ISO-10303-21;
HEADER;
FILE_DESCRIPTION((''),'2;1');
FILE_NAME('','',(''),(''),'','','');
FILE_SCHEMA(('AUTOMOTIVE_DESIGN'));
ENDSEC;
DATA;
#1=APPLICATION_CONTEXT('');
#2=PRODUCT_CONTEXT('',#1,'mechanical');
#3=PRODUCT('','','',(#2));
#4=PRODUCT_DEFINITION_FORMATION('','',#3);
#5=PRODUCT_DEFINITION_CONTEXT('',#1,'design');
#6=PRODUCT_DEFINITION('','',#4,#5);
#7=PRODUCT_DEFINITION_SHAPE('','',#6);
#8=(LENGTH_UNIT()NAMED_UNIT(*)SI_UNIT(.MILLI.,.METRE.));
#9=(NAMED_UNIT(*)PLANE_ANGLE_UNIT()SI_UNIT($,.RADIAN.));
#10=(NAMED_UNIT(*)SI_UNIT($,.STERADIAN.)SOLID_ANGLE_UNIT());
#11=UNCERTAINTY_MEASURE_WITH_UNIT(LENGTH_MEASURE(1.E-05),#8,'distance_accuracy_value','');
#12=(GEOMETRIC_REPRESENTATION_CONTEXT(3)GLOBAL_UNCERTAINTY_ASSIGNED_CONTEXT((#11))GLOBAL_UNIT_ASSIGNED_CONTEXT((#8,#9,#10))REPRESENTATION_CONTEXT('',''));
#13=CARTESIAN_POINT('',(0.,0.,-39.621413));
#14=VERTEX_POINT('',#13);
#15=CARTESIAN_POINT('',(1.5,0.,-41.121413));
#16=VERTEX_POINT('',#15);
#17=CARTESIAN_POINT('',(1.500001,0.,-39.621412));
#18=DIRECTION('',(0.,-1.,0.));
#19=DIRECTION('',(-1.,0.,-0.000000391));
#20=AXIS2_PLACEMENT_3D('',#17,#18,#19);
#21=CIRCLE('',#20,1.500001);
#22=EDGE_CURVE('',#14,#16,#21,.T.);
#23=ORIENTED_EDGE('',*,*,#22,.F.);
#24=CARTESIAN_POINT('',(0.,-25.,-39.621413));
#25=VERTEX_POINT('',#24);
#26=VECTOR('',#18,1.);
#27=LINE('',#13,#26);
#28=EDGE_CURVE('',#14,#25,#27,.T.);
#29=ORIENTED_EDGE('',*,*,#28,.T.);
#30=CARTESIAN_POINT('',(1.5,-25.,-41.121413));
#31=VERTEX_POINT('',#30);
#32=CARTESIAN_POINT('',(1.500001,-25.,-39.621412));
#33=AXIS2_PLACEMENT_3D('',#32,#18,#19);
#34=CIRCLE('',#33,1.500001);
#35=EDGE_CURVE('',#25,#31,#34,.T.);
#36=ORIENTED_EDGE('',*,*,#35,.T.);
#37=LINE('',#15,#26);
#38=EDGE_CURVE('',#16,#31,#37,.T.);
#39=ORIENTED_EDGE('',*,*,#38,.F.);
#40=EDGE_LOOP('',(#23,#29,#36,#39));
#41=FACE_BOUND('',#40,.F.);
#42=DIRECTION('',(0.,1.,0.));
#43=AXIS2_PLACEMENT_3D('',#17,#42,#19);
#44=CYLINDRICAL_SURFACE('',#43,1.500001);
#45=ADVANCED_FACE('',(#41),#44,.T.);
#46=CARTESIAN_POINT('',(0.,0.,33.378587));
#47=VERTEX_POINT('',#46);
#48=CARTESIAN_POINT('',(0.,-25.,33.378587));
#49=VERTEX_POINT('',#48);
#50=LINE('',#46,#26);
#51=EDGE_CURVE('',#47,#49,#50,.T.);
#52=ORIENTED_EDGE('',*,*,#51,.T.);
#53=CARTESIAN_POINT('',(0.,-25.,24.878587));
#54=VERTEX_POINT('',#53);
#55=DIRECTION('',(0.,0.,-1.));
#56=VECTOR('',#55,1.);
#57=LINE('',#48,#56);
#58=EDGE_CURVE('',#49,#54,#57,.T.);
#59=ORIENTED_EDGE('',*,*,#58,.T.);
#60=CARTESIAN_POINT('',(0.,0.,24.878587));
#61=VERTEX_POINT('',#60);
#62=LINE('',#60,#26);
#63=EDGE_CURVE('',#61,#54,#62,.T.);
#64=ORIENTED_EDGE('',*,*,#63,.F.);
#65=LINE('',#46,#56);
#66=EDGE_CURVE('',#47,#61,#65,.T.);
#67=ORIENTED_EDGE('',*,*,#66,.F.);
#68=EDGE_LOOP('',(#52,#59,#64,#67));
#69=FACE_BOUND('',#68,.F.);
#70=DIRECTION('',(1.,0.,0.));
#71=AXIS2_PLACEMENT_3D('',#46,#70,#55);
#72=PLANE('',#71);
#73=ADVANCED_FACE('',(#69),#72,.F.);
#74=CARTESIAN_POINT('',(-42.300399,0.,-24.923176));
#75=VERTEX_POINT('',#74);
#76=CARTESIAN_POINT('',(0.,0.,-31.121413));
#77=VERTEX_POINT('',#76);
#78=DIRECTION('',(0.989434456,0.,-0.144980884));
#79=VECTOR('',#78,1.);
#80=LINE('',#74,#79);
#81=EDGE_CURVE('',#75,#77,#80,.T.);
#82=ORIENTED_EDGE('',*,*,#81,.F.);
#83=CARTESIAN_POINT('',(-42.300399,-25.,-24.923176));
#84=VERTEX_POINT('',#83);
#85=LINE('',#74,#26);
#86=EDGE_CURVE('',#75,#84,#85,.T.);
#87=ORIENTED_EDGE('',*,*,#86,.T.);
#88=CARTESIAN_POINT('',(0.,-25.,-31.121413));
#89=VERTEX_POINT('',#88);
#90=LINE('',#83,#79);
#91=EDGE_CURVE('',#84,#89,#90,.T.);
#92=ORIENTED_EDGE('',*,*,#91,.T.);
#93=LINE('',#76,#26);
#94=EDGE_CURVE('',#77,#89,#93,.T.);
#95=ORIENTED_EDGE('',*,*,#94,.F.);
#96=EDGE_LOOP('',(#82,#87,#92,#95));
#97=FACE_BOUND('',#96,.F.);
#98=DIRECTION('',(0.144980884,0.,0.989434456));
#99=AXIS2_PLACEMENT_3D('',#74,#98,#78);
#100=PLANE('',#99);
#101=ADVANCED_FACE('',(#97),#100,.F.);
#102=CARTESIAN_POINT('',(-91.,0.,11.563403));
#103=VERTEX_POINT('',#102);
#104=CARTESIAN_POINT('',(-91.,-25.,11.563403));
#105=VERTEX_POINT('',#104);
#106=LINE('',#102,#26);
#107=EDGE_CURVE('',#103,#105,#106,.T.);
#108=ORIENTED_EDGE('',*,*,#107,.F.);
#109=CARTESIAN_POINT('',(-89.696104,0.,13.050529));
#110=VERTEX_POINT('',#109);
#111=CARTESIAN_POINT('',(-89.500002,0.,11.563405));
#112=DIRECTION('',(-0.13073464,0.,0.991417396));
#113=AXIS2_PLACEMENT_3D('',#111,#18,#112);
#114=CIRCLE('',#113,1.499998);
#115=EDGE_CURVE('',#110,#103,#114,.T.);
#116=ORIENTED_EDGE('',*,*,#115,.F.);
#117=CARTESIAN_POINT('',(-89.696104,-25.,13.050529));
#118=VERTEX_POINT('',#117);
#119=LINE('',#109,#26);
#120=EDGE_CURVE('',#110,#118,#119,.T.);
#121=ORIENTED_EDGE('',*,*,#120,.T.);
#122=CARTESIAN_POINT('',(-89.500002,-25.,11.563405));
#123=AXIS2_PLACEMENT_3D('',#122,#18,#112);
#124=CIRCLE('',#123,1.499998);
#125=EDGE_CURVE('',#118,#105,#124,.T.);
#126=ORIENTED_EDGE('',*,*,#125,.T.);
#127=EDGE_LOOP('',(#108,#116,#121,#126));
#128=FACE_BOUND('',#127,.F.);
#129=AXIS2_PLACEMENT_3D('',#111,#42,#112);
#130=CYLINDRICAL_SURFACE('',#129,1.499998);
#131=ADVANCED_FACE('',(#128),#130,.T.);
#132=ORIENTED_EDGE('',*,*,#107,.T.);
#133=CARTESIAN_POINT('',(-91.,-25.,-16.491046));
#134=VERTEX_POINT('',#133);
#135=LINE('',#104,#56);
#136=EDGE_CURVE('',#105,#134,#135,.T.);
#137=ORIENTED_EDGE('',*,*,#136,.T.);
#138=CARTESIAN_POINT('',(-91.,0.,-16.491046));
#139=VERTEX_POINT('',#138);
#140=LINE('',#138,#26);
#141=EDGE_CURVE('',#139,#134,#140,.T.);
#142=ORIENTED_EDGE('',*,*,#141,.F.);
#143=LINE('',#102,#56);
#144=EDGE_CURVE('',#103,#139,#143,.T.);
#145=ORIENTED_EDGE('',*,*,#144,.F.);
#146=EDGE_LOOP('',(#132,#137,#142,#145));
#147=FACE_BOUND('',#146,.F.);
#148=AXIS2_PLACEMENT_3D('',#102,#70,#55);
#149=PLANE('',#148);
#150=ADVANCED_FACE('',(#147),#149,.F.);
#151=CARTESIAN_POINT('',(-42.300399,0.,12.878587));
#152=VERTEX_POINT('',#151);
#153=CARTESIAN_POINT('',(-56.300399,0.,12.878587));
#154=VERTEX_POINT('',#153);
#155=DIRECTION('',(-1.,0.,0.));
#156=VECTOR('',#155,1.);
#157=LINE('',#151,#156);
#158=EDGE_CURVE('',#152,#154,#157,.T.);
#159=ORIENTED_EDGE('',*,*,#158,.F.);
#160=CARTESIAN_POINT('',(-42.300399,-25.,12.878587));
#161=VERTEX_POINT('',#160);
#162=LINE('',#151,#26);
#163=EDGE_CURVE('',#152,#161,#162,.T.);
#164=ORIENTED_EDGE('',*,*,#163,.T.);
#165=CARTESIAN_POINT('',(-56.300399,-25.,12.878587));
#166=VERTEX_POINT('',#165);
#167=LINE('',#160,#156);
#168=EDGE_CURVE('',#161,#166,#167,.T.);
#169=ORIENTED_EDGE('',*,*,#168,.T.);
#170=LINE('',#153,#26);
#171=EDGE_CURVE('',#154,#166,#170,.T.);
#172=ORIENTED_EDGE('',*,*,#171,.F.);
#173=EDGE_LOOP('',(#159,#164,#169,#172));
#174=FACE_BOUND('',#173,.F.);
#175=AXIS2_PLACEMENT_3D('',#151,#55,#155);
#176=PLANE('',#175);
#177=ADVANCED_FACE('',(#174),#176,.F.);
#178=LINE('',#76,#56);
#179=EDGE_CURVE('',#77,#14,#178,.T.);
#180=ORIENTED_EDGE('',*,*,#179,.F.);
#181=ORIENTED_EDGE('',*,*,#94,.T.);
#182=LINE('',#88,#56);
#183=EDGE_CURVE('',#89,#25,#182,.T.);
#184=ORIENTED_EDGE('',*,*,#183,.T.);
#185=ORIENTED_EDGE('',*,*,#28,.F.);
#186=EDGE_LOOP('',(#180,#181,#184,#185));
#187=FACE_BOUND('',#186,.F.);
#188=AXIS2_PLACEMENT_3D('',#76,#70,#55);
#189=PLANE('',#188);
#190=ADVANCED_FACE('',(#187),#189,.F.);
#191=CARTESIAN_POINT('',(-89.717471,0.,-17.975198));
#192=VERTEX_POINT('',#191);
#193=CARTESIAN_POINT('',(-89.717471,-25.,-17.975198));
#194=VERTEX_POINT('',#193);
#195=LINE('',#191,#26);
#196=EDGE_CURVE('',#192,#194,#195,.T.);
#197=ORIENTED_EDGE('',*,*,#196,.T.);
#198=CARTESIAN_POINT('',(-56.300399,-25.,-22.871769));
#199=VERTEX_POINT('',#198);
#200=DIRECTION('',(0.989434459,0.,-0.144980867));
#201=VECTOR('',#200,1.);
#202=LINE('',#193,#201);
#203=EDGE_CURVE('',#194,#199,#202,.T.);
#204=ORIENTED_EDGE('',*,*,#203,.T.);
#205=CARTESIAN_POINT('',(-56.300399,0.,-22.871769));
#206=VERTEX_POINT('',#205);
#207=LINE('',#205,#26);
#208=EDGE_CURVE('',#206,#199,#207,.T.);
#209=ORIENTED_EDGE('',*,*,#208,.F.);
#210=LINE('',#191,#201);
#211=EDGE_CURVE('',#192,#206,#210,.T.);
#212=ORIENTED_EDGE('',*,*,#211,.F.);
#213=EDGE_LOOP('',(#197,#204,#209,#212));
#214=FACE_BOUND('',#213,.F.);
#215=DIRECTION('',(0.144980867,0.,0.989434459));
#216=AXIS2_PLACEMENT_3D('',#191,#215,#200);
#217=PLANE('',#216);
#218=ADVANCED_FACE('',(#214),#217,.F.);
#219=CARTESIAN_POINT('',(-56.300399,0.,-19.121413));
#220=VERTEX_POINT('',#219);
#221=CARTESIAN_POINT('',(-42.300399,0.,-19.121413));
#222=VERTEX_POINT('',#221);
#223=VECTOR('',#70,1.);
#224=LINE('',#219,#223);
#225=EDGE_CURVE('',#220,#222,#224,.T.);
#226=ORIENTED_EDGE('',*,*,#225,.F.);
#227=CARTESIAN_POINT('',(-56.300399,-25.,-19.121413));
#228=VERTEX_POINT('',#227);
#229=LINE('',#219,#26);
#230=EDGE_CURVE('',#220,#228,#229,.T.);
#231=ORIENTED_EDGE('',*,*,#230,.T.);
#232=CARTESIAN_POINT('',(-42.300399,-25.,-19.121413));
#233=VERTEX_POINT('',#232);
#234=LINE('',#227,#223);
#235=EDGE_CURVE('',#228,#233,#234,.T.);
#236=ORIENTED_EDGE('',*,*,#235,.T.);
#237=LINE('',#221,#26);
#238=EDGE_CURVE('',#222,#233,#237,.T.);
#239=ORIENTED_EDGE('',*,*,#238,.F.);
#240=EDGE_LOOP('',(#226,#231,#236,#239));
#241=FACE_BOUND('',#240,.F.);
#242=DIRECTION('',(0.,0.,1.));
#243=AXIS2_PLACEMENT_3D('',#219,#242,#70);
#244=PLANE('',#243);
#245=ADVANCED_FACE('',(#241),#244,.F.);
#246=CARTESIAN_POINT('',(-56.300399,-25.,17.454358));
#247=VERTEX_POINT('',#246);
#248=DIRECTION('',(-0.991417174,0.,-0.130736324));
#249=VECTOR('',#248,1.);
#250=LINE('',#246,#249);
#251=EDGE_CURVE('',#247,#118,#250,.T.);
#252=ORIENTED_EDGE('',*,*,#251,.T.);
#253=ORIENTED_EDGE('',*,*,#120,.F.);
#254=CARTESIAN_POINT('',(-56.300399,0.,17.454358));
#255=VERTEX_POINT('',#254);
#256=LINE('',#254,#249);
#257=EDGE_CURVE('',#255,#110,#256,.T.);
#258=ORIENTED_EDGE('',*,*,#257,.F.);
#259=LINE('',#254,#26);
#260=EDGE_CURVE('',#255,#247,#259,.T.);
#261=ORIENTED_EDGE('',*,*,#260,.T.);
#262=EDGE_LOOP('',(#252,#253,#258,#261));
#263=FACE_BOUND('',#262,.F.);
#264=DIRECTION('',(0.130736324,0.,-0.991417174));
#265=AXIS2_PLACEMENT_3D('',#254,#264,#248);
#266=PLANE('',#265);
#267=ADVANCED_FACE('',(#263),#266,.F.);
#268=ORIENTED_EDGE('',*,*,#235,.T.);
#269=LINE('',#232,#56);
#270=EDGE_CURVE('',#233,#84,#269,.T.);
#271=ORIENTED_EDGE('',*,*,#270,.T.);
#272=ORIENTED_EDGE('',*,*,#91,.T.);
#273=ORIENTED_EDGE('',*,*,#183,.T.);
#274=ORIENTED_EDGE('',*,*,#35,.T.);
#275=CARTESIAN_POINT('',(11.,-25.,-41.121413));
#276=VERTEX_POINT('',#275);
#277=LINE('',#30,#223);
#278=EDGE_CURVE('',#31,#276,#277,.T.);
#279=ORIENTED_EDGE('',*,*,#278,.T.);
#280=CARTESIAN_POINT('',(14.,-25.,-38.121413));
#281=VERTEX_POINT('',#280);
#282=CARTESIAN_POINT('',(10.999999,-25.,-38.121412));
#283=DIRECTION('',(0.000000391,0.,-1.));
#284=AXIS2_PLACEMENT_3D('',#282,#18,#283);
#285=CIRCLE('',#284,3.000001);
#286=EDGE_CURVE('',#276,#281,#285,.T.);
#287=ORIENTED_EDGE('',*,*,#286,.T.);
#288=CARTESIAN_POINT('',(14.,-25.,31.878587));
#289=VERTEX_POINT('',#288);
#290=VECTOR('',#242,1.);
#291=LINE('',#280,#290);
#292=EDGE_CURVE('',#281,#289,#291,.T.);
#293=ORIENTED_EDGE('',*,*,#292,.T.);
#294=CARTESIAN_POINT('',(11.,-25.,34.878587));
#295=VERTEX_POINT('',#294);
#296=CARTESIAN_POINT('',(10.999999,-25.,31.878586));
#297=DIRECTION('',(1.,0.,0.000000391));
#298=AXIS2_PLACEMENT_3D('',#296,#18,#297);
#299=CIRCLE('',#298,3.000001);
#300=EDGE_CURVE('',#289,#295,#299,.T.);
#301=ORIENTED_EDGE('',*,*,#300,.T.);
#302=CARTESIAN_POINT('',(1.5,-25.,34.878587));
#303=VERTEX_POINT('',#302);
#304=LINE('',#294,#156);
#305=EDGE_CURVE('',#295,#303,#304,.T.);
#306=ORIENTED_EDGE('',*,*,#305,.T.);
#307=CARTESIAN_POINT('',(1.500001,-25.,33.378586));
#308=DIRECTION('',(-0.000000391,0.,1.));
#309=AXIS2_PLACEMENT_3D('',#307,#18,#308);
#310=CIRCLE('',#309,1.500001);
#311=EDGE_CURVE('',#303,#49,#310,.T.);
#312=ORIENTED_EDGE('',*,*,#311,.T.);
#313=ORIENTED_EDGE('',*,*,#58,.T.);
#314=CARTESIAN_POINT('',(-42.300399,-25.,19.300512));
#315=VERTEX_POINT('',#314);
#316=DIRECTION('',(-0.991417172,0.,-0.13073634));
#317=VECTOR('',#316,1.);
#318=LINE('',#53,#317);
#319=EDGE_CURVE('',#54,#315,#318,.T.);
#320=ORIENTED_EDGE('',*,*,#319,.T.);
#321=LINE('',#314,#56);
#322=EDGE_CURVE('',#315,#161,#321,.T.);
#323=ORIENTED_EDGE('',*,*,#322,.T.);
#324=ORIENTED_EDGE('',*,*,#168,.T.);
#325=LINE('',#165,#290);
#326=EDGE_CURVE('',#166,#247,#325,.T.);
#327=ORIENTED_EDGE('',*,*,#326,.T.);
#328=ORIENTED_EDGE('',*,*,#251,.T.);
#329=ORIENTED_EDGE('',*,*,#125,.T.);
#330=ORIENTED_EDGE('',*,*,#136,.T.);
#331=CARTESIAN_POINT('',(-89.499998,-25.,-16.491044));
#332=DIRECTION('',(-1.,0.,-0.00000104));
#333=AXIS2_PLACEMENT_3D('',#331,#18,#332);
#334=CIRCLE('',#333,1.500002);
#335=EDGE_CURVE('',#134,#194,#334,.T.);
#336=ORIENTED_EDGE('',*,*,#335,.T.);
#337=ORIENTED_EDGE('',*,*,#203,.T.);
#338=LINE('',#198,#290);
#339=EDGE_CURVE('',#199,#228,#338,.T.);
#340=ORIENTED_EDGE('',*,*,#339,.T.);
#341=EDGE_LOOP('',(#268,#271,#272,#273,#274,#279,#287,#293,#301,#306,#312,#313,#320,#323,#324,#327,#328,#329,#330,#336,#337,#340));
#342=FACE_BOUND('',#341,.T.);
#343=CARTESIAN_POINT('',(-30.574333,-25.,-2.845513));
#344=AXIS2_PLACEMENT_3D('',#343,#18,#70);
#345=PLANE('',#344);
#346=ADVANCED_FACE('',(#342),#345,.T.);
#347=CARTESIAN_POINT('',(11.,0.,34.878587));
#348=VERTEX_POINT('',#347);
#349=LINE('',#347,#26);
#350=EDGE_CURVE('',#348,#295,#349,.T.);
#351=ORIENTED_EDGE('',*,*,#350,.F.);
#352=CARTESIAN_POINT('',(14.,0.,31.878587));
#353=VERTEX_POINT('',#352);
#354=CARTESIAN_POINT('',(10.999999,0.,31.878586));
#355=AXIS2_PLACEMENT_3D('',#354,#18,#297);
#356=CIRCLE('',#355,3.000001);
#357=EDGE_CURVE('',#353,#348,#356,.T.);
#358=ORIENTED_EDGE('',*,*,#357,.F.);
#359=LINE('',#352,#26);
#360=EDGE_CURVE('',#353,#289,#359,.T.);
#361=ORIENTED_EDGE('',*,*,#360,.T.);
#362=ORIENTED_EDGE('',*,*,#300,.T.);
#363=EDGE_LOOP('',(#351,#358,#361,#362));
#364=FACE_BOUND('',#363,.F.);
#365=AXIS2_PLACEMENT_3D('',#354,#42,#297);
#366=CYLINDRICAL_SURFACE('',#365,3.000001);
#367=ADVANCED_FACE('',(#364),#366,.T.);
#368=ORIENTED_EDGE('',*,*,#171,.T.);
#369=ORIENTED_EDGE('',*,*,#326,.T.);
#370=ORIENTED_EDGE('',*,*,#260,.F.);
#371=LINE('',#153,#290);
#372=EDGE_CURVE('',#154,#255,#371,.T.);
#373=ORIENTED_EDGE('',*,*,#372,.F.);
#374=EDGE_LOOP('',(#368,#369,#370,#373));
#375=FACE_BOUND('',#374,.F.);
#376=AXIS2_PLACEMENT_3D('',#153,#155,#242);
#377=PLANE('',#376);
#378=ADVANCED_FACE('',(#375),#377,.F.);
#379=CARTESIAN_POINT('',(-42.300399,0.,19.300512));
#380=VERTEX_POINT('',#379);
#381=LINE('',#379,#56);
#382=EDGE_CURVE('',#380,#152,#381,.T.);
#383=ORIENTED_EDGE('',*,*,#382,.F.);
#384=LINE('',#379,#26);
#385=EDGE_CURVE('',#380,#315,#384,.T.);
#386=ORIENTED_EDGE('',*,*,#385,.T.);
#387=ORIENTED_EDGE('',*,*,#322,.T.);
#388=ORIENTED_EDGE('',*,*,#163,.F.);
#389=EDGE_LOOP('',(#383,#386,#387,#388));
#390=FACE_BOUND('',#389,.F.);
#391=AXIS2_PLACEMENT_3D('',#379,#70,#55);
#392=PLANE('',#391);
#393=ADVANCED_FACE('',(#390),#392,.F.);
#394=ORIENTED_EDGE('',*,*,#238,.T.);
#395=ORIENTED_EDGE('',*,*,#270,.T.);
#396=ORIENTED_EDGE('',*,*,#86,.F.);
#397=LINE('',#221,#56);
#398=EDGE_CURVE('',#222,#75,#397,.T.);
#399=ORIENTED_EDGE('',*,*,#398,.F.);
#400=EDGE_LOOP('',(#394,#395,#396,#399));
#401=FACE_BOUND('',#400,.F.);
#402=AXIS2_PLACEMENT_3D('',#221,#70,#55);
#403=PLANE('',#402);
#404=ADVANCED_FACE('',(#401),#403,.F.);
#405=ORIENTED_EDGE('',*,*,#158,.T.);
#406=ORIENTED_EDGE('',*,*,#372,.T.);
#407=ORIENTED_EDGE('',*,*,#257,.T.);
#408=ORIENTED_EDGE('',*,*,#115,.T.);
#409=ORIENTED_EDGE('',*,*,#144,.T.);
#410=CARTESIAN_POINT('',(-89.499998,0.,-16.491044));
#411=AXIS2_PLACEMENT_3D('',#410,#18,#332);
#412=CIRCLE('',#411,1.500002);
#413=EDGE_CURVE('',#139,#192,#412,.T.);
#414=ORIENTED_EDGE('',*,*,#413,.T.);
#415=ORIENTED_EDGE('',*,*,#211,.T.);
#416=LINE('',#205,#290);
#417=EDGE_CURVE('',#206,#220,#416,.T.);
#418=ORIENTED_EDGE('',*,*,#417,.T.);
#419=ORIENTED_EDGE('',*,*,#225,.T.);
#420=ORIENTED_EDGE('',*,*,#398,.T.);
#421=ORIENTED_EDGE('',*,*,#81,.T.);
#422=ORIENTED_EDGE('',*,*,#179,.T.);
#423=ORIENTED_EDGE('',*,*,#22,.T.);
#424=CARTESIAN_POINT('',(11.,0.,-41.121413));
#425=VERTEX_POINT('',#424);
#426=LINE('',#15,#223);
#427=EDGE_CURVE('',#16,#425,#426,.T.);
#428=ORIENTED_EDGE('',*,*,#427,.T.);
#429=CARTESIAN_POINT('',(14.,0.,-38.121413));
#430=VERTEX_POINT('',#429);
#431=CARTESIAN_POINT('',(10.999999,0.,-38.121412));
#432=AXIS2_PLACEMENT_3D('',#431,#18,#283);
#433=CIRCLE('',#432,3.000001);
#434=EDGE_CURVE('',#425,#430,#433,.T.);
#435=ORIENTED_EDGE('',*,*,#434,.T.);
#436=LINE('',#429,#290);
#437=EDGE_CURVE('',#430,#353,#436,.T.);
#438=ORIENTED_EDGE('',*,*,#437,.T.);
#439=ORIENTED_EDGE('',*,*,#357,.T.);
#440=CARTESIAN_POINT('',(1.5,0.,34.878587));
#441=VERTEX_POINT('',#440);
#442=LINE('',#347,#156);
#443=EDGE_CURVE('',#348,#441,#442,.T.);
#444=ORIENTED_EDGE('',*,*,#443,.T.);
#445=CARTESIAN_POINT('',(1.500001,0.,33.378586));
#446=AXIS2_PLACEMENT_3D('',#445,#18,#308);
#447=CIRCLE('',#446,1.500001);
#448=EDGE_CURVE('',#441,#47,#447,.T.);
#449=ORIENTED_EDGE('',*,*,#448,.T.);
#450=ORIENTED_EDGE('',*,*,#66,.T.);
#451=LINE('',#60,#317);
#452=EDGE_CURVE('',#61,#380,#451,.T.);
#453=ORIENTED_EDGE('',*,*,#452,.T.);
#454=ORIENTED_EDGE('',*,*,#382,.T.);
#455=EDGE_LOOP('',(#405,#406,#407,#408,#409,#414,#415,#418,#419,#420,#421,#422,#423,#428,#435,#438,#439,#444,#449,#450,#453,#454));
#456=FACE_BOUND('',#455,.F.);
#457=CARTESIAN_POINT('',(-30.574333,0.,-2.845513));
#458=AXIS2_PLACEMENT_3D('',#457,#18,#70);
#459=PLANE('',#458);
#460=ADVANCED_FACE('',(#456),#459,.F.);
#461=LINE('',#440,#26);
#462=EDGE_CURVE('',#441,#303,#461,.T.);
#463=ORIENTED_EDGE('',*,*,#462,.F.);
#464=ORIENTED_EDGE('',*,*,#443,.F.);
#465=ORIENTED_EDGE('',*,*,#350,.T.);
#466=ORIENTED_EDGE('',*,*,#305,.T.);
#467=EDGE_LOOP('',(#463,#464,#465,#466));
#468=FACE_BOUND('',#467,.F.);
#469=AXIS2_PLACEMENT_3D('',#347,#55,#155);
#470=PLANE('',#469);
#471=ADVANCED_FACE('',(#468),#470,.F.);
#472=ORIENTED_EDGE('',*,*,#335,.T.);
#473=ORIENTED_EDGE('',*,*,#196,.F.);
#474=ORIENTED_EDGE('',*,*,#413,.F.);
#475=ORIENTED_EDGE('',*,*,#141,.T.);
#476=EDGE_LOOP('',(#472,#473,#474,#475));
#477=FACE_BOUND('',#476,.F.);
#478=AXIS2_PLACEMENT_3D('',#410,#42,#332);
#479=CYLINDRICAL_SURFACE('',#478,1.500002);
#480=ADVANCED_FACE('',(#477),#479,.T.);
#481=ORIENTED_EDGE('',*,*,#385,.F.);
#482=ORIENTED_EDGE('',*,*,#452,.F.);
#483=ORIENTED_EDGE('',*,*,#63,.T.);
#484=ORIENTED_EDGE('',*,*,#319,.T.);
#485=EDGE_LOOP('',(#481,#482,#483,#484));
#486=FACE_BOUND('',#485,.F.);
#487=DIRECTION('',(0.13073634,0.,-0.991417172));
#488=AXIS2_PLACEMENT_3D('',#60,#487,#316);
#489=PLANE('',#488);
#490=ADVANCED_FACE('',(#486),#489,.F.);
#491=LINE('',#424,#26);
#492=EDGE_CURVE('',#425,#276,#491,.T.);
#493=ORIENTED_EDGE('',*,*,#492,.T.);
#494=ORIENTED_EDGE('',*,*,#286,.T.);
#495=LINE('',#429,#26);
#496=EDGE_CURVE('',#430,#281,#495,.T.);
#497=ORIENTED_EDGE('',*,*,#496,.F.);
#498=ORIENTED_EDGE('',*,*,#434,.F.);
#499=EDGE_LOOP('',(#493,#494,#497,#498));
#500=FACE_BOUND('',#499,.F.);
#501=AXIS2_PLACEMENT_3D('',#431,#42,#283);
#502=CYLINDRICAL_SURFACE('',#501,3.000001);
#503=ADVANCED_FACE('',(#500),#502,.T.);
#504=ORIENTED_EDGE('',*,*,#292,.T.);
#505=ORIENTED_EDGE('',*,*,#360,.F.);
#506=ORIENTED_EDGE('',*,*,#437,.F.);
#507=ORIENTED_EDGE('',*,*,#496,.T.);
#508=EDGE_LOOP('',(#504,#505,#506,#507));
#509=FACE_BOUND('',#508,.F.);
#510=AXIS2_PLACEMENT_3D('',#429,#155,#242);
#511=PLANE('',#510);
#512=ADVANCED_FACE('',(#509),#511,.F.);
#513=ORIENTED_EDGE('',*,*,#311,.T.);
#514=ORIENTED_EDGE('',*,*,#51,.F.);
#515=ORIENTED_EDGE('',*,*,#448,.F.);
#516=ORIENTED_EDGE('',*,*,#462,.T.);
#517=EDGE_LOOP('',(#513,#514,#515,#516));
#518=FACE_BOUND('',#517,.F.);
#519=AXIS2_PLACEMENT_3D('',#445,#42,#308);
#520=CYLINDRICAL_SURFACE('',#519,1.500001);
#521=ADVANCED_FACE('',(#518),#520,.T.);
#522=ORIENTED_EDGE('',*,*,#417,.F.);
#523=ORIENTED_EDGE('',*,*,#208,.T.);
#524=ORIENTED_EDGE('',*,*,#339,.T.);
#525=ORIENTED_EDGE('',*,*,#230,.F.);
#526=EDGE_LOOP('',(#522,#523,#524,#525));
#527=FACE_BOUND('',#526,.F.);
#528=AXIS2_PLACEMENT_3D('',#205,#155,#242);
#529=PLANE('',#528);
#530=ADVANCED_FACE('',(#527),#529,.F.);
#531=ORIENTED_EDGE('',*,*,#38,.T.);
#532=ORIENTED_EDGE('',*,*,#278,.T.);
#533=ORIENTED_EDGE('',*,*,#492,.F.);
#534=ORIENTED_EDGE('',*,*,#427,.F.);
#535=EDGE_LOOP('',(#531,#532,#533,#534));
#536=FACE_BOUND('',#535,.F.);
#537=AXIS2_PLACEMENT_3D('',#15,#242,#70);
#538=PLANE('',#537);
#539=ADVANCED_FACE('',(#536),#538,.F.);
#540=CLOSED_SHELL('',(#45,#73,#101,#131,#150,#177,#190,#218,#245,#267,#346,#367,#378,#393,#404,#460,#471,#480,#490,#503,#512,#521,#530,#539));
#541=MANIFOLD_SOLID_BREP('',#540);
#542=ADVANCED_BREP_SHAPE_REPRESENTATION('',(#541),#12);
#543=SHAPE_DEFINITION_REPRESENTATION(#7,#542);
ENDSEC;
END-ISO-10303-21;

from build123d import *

# Parameters (mm, degrees)
F1_DEPTH = 25


with BuildPart() as f1:
    # F0 (on Front) → F1 (new body)
    with BuildSketch(Plane.XZ):
        with BuildLine():
            Line((-56.300399, -19.121413), (-42.300399, -19.121413))
            Line((-42.300399, -19.121413), (-42.300399, -24.923176))
            Line((-42.300399, -24.923176), (0, -31.121413))
            Line((0, -31.121413), (0, -39.621413))
            ThreePointArc((0, -39.621413), (0.43934, -40.682073), (1.5, -41.121413))
            Line((1.5, -41.121413), (11, -41.121413))
            ThreePointArc((11, -41.121413), (13.12132, -40.242733), (14, -38.121413))
            Line((14, -38.121413), (14, -19.121413))
            Line((14, -19.121413), (14, 31.878587))
            ThreePointArc((14, 31.878587), (13.12132, 33.999907), (11, 34.878587))
            Line((11, 34.878587), (1.5, 34.878587))
            ThreePointArc((1.5, 34.878587), (0.43934, 34.439247), (0, 33.378587))
            Line((0, 33.378587), (0, 24.878587))
            Line((0, 24.878587), (-42.300399, 19.300512))
            Line((-42.300399, 19.300512), (-42.300399, 12.878587))
            Line((-42.300399, 12.878587), (-56.300399, 12.878587))
            Line((-56.300399, 12.878587), (-56.300399, 17.454358))
            Line((-56.300399, 17.454358), (-89.696104, 13.050529))
            ThreePointArc((-89.696104, 13.050529), (-90.627865, 12.552303), (-91, 11.563403))
            Line((-91, 11.563403), (-91, -16.491046))
            ThreePointArc((-91, -16.491046), (-90.634946, -17.471809), (-89.717471, -17.975198))
            Line((-89.717471, -17.975198), (-56.300399, -22.871769))
            Line((-56.300399, -22.871769), (-56.300399, -19.121413))
        make_face()
    extrude(amount=F1_DEPTH)


solid = f1.part
